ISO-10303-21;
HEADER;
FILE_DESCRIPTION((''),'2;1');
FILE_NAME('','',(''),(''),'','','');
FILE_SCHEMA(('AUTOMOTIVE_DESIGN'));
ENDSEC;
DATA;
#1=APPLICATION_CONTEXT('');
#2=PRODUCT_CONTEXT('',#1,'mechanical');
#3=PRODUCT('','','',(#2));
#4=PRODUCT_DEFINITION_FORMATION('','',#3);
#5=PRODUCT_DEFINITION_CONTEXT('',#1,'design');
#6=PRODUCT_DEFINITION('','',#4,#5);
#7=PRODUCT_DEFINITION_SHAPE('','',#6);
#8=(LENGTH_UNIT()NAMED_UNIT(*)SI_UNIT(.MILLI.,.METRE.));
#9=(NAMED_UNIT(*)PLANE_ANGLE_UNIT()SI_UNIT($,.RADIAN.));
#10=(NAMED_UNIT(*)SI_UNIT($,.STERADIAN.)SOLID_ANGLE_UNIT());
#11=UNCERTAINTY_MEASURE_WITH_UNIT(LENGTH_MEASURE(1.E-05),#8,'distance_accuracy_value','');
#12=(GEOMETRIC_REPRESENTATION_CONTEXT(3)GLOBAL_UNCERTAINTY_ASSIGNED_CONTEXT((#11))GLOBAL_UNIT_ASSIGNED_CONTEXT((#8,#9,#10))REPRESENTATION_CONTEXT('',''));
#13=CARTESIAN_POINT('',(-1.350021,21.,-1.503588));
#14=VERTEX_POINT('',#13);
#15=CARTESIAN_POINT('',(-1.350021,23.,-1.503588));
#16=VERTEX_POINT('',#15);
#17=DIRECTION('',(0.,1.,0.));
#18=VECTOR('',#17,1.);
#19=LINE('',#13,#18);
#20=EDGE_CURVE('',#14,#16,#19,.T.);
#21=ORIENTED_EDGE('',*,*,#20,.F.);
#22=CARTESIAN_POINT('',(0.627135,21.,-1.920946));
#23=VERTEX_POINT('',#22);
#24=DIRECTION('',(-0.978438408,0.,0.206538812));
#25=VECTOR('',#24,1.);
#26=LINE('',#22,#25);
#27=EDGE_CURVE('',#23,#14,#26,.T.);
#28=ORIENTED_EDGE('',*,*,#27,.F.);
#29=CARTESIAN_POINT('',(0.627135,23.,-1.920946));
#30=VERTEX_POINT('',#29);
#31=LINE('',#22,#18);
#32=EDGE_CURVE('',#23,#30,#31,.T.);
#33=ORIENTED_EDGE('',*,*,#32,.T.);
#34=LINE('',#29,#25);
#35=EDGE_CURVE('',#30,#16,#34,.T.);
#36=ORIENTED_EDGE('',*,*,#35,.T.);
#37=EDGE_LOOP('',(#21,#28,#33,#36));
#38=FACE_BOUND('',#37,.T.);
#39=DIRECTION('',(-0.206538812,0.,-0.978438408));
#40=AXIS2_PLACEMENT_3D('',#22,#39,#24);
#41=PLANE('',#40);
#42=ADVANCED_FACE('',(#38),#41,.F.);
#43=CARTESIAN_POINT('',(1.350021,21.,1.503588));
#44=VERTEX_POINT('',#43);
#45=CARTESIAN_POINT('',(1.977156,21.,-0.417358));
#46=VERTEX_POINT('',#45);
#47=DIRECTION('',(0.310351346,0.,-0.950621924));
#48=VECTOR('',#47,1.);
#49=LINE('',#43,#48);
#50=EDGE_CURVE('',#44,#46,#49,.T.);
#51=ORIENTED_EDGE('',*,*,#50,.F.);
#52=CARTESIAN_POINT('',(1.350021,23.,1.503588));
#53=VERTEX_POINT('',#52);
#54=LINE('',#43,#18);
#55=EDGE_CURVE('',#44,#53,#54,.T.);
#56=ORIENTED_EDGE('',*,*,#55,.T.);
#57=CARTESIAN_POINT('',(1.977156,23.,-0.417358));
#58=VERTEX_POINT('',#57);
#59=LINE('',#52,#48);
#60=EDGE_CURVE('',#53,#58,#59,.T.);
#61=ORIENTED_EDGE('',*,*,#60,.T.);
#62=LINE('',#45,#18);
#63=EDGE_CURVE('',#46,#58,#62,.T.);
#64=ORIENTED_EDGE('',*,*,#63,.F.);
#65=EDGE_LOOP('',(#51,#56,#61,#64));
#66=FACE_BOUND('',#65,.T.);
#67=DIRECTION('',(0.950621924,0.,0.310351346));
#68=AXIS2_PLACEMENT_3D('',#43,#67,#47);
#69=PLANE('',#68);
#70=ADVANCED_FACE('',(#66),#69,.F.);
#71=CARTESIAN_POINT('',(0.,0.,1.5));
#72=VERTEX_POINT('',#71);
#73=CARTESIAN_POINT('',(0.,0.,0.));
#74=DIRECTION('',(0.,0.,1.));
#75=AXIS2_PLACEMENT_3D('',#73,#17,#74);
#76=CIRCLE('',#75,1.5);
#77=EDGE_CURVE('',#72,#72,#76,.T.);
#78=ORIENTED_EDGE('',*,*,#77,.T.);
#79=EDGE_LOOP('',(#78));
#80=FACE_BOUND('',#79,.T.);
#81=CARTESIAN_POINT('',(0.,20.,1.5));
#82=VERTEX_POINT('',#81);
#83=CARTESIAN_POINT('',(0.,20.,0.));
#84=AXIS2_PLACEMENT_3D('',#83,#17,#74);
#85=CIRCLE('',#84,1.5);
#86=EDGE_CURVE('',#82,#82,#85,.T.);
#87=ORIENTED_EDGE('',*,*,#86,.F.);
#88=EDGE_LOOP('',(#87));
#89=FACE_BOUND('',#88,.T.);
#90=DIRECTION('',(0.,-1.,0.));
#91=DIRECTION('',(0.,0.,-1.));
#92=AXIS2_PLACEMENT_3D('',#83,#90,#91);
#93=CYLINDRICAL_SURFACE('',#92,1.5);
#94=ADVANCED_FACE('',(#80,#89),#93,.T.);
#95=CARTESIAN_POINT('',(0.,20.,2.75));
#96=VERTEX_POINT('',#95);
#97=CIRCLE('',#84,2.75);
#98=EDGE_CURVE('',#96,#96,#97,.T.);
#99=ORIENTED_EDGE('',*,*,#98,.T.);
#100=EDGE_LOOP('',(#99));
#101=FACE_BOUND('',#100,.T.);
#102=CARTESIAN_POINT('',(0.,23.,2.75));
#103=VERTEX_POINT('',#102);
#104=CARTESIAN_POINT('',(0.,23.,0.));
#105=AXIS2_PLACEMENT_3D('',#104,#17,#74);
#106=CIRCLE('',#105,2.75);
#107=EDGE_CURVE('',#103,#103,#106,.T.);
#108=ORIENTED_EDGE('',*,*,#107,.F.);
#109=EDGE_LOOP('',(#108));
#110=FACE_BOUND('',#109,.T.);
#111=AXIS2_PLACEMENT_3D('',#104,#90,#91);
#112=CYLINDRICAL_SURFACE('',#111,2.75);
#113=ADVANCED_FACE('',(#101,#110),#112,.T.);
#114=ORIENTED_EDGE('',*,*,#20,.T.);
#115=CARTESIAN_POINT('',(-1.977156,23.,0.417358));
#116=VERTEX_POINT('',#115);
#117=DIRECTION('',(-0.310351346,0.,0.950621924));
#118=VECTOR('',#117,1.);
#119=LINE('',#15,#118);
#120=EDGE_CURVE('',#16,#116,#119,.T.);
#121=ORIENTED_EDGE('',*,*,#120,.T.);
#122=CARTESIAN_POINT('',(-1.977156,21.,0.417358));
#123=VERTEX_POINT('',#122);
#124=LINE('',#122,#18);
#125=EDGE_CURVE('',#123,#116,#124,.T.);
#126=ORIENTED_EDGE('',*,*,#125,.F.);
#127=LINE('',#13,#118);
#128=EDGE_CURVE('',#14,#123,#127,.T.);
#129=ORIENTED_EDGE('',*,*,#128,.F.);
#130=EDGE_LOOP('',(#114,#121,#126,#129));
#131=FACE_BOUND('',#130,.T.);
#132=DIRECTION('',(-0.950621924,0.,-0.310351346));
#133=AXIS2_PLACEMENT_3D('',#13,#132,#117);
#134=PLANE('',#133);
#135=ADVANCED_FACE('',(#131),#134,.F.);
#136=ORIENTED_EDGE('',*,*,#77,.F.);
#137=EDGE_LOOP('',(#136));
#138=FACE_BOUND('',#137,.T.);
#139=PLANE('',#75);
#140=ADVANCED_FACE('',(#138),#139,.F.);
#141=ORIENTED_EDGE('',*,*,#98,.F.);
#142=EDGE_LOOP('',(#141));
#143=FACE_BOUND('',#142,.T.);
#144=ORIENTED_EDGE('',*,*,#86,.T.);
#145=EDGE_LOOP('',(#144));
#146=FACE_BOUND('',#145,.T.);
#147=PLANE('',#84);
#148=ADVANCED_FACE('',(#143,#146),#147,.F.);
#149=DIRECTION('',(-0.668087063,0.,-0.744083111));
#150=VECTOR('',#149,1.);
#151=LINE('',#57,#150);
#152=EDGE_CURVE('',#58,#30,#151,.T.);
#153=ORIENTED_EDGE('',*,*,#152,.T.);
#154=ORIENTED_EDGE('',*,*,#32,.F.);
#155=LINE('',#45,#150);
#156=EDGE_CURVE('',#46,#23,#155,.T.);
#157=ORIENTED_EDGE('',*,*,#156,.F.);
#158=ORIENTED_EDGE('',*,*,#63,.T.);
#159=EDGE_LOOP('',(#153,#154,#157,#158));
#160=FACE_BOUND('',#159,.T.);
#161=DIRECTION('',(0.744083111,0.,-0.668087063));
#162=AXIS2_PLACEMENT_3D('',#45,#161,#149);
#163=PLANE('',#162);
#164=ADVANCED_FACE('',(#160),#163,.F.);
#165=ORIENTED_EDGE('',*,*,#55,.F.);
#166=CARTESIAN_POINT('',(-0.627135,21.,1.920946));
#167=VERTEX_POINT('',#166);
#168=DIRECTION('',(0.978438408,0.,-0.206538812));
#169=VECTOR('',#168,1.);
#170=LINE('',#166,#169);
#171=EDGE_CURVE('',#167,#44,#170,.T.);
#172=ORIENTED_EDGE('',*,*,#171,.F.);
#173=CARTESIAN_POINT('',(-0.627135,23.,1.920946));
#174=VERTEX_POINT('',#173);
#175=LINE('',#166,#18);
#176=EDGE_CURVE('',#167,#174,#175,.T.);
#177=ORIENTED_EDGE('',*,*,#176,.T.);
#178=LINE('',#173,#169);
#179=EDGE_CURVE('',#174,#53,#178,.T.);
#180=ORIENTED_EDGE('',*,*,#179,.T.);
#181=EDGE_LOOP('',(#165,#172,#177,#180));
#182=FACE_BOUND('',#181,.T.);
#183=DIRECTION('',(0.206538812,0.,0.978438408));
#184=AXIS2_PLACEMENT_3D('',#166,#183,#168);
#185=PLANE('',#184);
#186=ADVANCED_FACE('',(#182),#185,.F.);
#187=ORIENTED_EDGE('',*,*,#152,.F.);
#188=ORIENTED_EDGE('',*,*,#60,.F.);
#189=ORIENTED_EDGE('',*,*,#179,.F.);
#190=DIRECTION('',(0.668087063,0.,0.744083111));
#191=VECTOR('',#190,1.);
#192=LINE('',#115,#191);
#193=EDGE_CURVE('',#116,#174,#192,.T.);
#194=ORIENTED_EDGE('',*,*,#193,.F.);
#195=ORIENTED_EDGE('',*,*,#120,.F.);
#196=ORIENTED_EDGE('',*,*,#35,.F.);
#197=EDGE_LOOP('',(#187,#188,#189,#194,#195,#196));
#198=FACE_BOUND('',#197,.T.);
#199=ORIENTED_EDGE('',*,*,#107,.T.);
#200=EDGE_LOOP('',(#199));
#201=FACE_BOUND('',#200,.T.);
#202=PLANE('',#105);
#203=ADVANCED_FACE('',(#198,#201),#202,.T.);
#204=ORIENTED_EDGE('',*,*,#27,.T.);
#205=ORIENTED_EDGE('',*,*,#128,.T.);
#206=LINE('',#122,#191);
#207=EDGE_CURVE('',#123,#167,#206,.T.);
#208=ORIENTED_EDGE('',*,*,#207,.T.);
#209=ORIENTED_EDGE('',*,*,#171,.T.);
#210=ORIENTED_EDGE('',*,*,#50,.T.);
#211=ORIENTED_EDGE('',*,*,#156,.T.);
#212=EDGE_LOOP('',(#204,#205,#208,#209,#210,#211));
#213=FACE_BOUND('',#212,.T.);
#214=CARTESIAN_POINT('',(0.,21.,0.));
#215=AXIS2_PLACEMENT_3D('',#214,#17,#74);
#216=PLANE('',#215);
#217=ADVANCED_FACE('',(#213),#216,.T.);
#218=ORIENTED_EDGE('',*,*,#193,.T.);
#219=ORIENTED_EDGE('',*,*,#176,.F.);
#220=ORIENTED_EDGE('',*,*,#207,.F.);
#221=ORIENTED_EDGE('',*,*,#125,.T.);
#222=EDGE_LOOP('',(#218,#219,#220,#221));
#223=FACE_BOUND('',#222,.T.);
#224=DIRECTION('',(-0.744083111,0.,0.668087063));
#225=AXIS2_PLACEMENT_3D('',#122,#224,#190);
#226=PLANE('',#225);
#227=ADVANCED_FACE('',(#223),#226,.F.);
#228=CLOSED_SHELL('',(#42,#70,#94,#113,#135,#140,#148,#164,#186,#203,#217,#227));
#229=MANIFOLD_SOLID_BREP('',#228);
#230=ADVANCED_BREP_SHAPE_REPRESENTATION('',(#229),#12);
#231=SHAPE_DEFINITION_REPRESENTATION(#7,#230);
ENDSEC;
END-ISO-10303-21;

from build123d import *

# Parameters (mm, degrees)
SKETCH1_R           = 1.5
BOSS_EXTRUDE1_DEPTH = 20
SKETCH2_R           = 2.75
BOSS_EXTRUDE2_DEPTH = 3
CUT_EXTRUDE1_DEPTH  = 2


with BuildPart() as part:
    # Sketch1 → Boss-Extrude1 (new body)
    with BuildSketch(Plane(origin=(0, 0, 0), x_dir=(1, 0, 0), z_dir=(0, 1, 0))):
        Circle(SKETCH1_R)
    extrude(amount=BOSS_EXTRUDE1_DEPTH)

    # Sketch2 → Boss-Extrude2 (add)
    with BuildSketch(Plane(origin=(0, 20, 0), x_dir=(1, 0, 0), z_dir=(0, 1, 0))):
        Circle(SKETCH2_R)
    extrude(amount=BOSS_EXTRUDE2_DEPTH)

    # Sketch4 → Cut-Extrude1 (cut)
    with BuildSketch(Plane(origin=(0, 23, 0), x_dir=(1, 0, 0), z_dir=(0, 1, 0))):
        Polygon((1.977155875, 0.417358336), (0.627135016, 1.920946383), (-1.350020859, 1.503588046), (-1.977155875, -0.417358336), (-0.627135016, -1.920946383), (1.350020859, -1.503588046), align=None)
    extrude(amount=-CUT_EXTRUDE1_DEPTH, mode=Mode.SUBTRACT)


solid = part.part
